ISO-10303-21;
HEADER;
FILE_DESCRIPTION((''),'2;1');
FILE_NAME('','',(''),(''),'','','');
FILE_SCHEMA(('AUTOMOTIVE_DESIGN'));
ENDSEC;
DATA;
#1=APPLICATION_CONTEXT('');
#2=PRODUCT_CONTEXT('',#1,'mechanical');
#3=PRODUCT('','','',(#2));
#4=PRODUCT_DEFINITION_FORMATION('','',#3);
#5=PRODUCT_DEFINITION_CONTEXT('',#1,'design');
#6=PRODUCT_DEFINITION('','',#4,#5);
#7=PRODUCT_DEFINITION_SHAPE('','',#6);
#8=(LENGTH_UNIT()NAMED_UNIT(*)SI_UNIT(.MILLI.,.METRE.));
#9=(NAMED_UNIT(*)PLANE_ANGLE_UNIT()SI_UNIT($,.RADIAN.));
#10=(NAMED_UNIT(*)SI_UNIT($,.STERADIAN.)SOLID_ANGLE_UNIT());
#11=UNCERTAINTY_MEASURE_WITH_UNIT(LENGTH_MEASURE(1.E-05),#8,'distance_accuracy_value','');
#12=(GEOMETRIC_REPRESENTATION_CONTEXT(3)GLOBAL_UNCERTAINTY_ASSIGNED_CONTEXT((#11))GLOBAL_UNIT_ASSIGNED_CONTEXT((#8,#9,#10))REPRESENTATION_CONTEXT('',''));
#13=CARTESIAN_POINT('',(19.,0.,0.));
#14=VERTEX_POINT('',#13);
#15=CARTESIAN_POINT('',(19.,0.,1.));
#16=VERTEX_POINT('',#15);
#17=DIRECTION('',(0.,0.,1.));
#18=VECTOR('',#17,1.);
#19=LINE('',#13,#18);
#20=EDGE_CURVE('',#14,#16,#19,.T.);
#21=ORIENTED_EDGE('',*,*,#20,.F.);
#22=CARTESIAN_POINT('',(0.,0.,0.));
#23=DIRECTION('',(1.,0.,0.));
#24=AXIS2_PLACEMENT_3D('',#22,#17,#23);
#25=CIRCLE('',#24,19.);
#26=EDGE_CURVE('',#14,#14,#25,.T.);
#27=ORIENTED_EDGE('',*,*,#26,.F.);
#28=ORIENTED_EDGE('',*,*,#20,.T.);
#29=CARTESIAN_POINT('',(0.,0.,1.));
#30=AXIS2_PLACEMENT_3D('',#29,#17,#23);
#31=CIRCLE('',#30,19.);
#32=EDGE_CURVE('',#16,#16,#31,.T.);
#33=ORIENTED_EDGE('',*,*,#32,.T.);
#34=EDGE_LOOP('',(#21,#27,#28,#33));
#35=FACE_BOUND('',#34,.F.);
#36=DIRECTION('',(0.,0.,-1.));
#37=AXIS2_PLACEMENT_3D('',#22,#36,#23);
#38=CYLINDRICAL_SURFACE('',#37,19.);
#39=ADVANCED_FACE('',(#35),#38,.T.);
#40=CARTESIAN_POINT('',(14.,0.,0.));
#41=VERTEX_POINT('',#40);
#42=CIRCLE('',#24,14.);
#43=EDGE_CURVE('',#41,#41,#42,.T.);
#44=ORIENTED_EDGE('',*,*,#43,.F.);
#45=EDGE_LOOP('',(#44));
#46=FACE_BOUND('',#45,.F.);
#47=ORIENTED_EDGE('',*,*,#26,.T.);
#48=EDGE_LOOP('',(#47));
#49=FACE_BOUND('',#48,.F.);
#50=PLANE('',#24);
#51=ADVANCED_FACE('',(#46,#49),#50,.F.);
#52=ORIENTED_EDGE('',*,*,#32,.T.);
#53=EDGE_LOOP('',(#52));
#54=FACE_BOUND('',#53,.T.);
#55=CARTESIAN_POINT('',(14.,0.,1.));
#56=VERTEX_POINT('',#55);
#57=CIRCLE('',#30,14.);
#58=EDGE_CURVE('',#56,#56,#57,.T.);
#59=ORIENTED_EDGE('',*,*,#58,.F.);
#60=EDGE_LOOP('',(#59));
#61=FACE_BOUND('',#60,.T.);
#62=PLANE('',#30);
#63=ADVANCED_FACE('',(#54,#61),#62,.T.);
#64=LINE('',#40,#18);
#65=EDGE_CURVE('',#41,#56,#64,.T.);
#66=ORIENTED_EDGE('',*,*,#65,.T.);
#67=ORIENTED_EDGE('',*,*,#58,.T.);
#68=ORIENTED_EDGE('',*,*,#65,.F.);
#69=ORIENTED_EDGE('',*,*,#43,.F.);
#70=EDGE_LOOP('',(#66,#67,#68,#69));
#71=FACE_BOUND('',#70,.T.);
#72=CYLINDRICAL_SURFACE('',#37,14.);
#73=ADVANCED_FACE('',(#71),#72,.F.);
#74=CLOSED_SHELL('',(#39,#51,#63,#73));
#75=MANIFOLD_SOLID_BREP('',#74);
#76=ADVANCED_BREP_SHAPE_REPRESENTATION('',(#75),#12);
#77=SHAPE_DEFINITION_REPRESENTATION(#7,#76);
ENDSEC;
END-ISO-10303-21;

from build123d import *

# Parameters (mm, degrees)
SKETCH_R   = 19
SKETCH_R_2 = 14
PAD_DEPTH  = 1


with BuildPart() as part:
    # Sketch → Pad (new body)
    with BuildSketch(Plane.XY):
        Circle(SKETCH_R)
        Circle(SKETCH_R_2, mode=Mode.SUBTRACT)
    extrude(amount=PAD_DEPTH)


solid = part.part
